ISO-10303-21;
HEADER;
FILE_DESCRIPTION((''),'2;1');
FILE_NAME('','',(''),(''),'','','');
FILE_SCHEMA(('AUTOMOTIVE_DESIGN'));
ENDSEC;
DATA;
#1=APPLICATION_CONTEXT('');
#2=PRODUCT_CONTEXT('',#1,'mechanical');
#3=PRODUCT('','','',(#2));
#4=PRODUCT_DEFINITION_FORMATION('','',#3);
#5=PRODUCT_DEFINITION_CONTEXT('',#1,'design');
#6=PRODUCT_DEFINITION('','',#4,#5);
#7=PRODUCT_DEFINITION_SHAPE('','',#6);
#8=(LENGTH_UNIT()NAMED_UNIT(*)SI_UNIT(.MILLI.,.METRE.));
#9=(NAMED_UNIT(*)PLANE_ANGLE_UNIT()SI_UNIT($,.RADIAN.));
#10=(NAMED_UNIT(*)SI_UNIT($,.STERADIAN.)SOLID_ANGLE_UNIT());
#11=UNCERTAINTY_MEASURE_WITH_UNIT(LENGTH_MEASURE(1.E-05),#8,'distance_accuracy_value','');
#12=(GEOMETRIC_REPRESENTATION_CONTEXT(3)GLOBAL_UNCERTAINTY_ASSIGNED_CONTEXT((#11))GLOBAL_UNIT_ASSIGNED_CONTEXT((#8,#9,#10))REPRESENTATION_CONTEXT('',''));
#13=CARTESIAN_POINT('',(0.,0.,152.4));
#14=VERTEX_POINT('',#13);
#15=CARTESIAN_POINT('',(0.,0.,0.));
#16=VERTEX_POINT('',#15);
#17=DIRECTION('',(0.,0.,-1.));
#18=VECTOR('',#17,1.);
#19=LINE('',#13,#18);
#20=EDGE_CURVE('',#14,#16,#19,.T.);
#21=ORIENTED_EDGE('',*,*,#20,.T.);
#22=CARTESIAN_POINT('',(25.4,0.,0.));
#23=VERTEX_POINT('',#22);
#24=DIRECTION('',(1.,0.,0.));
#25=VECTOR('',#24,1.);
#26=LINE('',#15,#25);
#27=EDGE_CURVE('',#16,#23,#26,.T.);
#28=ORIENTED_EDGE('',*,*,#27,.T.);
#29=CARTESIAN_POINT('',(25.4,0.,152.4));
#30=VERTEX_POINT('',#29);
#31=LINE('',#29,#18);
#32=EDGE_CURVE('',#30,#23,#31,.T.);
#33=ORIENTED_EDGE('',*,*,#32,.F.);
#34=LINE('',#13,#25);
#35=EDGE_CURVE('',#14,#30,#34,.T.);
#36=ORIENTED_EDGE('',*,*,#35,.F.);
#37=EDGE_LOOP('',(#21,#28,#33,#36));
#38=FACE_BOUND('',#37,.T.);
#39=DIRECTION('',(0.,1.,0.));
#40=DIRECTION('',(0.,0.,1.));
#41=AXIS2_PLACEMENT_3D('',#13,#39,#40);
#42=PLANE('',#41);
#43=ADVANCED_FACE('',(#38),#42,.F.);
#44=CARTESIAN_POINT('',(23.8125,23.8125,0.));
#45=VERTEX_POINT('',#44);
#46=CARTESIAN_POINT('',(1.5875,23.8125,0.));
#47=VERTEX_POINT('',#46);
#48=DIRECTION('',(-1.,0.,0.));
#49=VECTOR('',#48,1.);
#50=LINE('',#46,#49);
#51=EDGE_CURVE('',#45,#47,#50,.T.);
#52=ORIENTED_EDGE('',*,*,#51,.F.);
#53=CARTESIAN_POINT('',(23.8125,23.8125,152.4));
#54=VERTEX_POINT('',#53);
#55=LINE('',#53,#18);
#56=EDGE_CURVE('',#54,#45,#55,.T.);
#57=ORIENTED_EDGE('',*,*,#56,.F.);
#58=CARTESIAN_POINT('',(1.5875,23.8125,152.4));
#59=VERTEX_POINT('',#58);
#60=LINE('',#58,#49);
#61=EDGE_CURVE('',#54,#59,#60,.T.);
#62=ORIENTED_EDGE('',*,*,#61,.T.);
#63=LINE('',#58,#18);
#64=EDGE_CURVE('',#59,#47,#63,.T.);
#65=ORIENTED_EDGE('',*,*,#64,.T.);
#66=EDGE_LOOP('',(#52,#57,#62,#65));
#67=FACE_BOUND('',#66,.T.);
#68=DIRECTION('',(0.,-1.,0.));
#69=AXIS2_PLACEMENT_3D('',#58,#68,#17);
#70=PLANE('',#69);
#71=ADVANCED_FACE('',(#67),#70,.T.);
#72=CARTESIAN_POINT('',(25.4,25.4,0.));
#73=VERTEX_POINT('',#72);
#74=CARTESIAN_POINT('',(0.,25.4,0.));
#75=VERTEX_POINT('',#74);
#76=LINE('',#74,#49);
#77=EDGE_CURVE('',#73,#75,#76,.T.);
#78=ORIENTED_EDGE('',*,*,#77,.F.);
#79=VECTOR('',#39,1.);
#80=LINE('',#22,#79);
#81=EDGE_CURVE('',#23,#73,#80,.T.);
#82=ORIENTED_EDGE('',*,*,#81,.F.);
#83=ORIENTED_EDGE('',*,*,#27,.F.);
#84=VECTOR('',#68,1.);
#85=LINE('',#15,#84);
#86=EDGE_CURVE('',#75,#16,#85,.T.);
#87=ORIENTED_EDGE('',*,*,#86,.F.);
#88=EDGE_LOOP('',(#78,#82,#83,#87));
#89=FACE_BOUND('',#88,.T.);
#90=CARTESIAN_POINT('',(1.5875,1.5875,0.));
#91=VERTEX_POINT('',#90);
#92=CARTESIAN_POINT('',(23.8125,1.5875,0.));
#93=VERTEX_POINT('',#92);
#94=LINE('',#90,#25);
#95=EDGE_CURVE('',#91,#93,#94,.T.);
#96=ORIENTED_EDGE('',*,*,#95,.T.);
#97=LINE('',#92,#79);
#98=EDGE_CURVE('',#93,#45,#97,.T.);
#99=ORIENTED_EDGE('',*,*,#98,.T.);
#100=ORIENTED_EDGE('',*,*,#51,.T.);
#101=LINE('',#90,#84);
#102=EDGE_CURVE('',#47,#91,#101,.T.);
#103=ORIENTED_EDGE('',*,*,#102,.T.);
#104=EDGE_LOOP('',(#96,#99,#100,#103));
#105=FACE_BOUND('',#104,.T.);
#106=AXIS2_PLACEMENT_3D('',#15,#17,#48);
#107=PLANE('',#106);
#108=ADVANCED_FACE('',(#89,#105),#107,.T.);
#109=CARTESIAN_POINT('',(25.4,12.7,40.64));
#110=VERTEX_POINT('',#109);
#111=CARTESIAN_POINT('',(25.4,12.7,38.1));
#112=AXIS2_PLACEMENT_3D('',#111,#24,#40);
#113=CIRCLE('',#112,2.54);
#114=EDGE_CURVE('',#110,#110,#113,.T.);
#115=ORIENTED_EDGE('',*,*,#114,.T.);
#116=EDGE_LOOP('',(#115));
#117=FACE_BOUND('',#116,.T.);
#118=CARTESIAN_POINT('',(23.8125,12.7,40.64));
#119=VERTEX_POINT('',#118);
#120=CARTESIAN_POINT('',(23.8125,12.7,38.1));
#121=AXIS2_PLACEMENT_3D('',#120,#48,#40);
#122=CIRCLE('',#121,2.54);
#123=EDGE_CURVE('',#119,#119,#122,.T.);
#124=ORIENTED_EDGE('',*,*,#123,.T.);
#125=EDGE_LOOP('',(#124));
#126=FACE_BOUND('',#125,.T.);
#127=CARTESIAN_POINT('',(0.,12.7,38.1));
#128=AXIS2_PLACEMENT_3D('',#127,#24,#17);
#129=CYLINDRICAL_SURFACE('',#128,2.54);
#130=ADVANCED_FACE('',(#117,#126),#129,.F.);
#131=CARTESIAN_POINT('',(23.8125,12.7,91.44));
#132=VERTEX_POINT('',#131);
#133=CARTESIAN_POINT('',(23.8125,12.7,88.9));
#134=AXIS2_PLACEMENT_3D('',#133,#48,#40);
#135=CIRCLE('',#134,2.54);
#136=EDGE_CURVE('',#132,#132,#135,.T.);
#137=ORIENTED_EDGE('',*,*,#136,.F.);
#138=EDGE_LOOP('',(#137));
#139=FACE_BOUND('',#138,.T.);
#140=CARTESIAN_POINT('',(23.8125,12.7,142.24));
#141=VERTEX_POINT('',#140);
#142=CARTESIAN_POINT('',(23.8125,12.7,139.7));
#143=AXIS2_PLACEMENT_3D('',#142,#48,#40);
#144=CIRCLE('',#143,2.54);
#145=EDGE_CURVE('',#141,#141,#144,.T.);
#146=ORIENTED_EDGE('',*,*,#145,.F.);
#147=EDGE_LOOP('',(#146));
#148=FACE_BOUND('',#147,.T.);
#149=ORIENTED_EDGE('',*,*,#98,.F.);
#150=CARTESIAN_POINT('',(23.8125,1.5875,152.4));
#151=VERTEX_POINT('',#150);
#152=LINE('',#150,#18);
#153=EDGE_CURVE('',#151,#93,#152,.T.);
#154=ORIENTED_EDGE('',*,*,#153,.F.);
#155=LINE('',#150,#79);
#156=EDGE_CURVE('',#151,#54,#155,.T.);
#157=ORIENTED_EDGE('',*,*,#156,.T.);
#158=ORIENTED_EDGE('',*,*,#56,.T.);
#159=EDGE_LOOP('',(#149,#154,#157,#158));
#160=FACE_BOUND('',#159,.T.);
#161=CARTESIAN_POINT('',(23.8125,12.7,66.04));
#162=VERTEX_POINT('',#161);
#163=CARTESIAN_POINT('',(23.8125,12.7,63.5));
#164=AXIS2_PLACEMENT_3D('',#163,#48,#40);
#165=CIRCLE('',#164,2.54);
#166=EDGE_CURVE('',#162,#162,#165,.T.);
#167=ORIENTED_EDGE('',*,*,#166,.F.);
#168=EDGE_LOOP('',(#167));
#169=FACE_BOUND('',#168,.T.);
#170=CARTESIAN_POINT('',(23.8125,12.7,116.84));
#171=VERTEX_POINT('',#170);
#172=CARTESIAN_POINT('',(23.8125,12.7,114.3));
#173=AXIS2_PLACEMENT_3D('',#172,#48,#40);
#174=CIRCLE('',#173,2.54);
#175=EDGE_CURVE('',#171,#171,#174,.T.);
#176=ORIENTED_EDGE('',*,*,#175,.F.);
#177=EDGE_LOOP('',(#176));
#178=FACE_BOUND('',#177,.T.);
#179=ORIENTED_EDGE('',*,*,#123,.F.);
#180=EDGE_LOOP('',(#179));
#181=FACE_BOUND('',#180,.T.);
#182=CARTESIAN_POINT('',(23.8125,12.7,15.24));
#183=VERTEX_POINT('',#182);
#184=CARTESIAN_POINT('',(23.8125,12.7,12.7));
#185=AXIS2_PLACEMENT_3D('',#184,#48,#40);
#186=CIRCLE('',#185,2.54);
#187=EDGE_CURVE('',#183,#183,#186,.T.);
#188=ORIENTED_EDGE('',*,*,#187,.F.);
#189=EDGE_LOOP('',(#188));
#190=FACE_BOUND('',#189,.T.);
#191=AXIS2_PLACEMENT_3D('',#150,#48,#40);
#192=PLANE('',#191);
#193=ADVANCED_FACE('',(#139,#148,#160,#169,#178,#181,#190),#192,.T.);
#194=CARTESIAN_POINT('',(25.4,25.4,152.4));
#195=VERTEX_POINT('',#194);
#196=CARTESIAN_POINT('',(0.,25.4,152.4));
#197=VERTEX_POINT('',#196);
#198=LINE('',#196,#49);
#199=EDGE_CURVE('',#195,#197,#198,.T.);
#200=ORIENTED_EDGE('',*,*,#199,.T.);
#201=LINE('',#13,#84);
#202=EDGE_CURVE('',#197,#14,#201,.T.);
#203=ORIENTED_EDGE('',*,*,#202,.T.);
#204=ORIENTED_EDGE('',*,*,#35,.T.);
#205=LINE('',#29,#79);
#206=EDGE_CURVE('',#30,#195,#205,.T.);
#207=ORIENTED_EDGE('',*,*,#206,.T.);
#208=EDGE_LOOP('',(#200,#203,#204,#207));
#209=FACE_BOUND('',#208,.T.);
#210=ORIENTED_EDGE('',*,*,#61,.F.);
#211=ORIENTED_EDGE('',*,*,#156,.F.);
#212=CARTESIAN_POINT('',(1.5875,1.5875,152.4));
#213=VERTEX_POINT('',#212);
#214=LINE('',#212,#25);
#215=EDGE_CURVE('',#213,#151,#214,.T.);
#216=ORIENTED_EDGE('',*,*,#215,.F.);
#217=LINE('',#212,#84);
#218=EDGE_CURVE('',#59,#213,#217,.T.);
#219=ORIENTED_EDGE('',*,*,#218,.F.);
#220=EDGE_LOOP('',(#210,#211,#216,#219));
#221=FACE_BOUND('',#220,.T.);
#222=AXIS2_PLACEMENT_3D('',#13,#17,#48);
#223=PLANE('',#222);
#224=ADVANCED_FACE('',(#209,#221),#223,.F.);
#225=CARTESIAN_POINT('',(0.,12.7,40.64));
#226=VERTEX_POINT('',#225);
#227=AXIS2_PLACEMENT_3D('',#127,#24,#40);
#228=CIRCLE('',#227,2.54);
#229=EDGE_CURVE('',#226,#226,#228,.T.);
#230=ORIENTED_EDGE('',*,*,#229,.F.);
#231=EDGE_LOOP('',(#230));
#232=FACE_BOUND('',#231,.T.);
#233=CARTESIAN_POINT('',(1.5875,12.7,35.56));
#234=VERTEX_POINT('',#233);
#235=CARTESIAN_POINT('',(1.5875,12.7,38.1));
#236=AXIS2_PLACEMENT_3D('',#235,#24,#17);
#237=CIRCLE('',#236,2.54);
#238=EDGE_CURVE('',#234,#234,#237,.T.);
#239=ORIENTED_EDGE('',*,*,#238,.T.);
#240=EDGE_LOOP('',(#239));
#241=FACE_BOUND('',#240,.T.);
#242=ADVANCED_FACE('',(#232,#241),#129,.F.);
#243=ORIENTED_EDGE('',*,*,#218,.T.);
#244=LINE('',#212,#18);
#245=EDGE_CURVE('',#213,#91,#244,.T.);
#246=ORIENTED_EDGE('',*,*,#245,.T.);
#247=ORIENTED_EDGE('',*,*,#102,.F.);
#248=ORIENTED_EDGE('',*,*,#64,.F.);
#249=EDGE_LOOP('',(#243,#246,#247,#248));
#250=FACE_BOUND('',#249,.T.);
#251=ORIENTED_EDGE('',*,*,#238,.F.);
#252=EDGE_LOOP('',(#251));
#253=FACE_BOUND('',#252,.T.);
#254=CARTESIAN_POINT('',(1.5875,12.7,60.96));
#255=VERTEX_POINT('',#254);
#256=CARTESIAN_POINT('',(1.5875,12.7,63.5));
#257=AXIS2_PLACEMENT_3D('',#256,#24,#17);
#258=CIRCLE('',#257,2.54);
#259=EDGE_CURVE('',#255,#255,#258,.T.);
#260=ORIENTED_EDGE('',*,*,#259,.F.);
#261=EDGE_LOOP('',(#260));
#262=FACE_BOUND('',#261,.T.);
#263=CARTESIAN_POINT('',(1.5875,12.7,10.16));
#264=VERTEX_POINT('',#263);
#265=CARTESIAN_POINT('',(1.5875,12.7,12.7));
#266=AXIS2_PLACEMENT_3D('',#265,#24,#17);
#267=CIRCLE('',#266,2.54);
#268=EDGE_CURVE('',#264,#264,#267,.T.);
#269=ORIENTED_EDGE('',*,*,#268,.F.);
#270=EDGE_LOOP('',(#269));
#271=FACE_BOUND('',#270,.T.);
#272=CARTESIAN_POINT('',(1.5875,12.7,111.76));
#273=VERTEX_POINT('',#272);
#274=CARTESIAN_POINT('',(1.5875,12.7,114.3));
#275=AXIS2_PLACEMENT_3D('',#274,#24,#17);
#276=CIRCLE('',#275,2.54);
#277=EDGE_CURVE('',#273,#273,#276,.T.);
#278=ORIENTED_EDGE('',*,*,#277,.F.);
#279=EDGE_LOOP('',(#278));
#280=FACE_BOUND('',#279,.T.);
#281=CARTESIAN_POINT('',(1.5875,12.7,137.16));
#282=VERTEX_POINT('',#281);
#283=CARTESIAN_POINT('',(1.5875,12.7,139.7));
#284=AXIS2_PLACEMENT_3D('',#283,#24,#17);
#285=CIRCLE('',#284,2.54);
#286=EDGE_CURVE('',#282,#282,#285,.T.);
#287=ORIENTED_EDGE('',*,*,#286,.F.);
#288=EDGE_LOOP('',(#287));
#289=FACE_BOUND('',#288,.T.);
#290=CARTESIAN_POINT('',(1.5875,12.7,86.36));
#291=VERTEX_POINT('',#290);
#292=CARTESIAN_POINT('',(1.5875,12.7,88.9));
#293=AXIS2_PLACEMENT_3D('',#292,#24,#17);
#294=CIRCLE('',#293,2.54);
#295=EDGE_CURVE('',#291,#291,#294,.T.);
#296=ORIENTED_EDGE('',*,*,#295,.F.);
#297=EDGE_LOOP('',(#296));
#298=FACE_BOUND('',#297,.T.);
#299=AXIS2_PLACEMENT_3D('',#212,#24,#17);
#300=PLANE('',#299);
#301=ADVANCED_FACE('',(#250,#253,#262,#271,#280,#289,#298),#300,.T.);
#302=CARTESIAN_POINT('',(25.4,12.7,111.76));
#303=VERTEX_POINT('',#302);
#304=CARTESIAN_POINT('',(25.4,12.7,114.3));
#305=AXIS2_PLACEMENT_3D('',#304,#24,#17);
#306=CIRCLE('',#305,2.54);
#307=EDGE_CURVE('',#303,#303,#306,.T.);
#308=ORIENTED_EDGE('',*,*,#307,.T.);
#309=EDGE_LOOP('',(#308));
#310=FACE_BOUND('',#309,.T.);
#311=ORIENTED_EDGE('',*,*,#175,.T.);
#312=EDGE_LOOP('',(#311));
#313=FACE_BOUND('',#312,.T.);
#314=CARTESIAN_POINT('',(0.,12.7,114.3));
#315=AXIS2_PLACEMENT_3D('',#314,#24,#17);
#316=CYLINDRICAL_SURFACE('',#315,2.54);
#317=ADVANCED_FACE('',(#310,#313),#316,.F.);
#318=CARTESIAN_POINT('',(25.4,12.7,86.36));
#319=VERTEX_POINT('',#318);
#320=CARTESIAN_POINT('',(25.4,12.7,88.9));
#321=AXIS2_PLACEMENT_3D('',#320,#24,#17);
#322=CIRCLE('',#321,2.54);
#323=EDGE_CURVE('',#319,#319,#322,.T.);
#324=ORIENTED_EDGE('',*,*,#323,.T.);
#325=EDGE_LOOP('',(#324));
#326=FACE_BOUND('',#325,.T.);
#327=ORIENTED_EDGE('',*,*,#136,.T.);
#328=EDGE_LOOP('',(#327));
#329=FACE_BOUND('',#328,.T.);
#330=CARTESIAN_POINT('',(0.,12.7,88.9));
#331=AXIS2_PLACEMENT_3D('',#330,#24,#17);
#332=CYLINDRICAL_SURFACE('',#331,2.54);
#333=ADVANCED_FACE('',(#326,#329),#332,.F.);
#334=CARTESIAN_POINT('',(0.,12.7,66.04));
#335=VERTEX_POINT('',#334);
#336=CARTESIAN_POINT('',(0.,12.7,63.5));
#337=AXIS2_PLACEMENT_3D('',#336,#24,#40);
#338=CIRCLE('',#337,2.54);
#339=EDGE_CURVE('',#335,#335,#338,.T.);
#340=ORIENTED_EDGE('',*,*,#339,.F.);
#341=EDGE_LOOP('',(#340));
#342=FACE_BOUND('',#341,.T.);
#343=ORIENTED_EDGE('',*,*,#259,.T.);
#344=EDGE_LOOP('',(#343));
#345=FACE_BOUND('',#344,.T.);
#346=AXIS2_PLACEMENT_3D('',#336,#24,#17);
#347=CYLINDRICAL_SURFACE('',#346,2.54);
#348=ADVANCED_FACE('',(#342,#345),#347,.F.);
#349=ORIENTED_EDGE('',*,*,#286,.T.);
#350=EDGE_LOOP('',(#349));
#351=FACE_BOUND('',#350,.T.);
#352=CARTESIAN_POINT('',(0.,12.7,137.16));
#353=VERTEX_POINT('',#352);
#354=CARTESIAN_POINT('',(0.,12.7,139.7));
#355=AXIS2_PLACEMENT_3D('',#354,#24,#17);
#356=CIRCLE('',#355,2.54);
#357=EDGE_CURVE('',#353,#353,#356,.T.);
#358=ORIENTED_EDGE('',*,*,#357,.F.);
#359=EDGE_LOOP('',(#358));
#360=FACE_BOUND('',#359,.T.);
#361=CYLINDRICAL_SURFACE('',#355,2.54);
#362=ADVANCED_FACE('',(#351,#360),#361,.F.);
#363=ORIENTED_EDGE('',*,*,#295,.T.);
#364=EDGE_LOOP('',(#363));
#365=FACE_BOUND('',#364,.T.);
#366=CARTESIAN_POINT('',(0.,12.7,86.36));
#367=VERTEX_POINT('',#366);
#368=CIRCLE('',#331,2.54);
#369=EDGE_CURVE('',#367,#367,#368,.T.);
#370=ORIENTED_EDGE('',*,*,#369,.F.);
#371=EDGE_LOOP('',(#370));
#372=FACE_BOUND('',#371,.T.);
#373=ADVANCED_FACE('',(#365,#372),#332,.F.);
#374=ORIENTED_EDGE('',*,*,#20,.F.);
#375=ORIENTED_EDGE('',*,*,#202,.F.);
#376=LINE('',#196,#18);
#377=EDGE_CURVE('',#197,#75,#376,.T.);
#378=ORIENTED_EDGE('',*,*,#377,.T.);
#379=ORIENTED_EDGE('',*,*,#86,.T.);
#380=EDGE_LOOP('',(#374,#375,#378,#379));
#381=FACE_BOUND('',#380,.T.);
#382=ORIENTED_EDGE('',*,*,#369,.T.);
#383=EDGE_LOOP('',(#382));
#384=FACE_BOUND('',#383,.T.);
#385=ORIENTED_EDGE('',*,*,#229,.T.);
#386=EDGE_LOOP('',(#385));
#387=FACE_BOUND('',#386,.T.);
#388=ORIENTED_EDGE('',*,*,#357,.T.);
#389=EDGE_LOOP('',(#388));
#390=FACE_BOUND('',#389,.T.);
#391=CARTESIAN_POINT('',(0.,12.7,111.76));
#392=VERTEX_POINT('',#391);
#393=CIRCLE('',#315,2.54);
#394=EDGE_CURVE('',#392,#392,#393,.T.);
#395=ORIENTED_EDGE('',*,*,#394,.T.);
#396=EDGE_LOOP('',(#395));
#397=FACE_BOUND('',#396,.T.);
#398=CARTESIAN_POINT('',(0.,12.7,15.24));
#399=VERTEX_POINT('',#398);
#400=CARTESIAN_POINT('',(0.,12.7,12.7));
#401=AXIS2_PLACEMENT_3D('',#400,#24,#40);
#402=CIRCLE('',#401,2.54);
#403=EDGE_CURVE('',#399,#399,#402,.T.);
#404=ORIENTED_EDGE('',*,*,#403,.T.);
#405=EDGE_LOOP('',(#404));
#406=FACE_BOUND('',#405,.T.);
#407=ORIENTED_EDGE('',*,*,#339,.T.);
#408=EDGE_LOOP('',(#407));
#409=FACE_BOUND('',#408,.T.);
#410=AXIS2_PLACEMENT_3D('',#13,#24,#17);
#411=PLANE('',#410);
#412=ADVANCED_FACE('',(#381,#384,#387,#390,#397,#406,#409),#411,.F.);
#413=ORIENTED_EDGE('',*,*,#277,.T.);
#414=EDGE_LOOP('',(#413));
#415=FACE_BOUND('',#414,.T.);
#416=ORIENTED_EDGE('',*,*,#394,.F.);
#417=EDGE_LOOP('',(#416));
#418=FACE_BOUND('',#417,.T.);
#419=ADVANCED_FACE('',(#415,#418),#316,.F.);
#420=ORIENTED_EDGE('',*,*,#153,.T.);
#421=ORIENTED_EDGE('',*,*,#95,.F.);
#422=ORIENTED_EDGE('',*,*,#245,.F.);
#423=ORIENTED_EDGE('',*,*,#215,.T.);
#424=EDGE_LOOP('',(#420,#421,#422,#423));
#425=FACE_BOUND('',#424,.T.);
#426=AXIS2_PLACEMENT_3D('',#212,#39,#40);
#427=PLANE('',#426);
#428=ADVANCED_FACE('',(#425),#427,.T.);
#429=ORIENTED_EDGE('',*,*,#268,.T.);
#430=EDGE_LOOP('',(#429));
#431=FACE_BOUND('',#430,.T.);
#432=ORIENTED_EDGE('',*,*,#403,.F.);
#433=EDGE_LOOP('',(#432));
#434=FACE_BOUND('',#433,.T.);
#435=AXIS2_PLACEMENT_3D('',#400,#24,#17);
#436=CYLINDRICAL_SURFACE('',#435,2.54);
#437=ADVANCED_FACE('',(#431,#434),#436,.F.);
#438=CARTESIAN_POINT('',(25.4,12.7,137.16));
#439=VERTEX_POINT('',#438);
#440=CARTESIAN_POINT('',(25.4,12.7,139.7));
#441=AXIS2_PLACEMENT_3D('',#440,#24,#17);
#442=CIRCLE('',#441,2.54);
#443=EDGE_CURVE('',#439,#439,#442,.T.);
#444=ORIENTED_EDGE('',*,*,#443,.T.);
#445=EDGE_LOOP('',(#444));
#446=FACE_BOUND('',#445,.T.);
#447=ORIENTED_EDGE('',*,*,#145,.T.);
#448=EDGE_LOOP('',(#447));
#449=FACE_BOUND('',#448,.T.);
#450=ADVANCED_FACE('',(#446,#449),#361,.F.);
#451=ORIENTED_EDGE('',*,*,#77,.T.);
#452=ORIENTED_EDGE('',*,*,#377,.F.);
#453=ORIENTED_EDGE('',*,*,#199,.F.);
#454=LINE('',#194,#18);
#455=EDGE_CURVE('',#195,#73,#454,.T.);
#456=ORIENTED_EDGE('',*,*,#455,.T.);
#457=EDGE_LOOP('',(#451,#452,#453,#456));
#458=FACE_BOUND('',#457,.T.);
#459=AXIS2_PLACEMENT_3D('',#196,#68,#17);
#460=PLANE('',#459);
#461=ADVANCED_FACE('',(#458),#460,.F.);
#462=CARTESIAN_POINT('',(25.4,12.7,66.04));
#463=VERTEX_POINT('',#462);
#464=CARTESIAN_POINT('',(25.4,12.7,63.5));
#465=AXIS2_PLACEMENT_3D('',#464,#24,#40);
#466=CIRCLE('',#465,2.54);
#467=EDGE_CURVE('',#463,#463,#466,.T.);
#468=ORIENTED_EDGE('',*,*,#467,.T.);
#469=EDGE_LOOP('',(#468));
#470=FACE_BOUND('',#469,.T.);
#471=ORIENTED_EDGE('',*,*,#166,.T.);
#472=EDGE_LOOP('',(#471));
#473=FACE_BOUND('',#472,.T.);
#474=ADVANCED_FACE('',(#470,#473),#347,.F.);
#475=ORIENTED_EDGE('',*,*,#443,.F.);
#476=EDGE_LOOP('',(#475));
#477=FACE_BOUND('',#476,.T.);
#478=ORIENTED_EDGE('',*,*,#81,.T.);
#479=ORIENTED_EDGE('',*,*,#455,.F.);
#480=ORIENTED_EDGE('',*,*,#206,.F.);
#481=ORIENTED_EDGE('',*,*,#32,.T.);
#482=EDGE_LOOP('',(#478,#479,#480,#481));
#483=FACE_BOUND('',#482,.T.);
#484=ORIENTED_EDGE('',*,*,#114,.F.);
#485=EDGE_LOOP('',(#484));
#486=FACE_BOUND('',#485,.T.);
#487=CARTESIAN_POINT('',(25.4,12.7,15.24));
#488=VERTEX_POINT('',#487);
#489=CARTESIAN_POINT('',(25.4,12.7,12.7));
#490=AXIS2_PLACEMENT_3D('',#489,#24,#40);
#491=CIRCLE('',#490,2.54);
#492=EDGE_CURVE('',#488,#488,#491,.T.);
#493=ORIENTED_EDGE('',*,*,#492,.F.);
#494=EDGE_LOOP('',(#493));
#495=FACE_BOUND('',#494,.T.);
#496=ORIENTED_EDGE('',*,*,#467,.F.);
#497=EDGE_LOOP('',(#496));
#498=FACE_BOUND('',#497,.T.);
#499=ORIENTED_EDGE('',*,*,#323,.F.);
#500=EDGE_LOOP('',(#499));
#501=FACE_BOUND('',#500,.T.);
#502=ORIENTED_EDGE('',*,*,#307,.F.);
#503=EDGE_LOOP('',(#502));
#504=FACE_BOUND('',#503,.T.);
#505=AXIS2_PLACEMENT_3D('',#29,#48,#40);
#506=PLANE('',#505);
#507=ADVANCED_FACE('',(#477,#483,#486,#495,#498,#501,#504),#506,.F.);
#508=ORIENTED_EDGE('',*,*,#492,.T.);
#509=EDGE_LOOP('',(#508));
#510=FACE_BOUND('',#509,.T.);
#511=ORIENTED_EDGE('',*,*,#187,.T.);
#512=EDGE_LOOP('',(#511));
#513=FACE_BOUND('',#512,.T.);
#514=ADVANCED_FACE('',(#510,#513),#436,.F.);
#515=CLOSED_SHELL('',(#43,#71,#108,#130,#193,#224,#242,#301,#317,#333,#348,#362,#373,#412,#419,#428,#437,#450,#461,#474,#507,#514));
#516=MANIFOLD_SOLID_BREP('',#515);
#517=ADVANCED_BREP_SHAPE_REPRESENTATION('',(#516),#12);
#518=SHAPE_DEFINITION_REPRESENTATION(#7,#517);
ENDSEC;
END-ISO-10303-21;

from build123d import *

# Parameters (mm, degrees)
SKETCH1_W           = 25.4
SKETCH1_H           = 25.4
SKETCH1_W_2         = 22.225
SKETCH1_H_2         = 22.225
BOSS_EXTRUDE1_DEPTH = 152.4
SKETCH4_R           = 2.54
CUT_EXTRUDE3_DEPTH  = 157.576115675


with BuildPart() as part:
    # Sketch1 → Boss-Extrude1 (new body)
    with BuildSketch(Plane.XY):
        with Locations((12.7, 12.7)):
            Rectangle(SKETCH1_W, SKETCH1_H)
        with Locations((12.7, 12.7)):
            Rectangle(SKETCH1_W_2, SKETCH1_H_2, mode=Mode.SUBTRACT)
    extrude(amount=BOSS_EXTRUDE1_DEPTH)

    # Sketch4 → Cut-Extrude3 (cut, through all)
    with BuildSketch(Plane(origin=(25.4, 0, 0), x_dir=(0, 0, -1), z_dir=(1, 0, 0))):
        with Locations((-139.7, 12.7)):
            Circle(SKETCH4_R)
        with Locations((-114.3, 12.7)):
            Circle(SKETCH4_R)
        with Locations((-88.9, 12.7)):
            Circle(SKETCH4_R)
        with Locations(Location((-63.5, 12.7, 0), (0, 0, 180))):
            Circle(SKETCH4_R)
        with Locations(Location((-38.1, 12.7, 0), (0, 0, 180))):
            Circle(SKETCH4_R)
        with Locations(Location((-12.7, 12.7, 0), (0, 0, 180))):
            Circle(SKETCH4_R)
    extrude(amount=-CUT_EXTRUDE3_DEPTH, mode=Mode.SUBTRACT)


solid = part.part
